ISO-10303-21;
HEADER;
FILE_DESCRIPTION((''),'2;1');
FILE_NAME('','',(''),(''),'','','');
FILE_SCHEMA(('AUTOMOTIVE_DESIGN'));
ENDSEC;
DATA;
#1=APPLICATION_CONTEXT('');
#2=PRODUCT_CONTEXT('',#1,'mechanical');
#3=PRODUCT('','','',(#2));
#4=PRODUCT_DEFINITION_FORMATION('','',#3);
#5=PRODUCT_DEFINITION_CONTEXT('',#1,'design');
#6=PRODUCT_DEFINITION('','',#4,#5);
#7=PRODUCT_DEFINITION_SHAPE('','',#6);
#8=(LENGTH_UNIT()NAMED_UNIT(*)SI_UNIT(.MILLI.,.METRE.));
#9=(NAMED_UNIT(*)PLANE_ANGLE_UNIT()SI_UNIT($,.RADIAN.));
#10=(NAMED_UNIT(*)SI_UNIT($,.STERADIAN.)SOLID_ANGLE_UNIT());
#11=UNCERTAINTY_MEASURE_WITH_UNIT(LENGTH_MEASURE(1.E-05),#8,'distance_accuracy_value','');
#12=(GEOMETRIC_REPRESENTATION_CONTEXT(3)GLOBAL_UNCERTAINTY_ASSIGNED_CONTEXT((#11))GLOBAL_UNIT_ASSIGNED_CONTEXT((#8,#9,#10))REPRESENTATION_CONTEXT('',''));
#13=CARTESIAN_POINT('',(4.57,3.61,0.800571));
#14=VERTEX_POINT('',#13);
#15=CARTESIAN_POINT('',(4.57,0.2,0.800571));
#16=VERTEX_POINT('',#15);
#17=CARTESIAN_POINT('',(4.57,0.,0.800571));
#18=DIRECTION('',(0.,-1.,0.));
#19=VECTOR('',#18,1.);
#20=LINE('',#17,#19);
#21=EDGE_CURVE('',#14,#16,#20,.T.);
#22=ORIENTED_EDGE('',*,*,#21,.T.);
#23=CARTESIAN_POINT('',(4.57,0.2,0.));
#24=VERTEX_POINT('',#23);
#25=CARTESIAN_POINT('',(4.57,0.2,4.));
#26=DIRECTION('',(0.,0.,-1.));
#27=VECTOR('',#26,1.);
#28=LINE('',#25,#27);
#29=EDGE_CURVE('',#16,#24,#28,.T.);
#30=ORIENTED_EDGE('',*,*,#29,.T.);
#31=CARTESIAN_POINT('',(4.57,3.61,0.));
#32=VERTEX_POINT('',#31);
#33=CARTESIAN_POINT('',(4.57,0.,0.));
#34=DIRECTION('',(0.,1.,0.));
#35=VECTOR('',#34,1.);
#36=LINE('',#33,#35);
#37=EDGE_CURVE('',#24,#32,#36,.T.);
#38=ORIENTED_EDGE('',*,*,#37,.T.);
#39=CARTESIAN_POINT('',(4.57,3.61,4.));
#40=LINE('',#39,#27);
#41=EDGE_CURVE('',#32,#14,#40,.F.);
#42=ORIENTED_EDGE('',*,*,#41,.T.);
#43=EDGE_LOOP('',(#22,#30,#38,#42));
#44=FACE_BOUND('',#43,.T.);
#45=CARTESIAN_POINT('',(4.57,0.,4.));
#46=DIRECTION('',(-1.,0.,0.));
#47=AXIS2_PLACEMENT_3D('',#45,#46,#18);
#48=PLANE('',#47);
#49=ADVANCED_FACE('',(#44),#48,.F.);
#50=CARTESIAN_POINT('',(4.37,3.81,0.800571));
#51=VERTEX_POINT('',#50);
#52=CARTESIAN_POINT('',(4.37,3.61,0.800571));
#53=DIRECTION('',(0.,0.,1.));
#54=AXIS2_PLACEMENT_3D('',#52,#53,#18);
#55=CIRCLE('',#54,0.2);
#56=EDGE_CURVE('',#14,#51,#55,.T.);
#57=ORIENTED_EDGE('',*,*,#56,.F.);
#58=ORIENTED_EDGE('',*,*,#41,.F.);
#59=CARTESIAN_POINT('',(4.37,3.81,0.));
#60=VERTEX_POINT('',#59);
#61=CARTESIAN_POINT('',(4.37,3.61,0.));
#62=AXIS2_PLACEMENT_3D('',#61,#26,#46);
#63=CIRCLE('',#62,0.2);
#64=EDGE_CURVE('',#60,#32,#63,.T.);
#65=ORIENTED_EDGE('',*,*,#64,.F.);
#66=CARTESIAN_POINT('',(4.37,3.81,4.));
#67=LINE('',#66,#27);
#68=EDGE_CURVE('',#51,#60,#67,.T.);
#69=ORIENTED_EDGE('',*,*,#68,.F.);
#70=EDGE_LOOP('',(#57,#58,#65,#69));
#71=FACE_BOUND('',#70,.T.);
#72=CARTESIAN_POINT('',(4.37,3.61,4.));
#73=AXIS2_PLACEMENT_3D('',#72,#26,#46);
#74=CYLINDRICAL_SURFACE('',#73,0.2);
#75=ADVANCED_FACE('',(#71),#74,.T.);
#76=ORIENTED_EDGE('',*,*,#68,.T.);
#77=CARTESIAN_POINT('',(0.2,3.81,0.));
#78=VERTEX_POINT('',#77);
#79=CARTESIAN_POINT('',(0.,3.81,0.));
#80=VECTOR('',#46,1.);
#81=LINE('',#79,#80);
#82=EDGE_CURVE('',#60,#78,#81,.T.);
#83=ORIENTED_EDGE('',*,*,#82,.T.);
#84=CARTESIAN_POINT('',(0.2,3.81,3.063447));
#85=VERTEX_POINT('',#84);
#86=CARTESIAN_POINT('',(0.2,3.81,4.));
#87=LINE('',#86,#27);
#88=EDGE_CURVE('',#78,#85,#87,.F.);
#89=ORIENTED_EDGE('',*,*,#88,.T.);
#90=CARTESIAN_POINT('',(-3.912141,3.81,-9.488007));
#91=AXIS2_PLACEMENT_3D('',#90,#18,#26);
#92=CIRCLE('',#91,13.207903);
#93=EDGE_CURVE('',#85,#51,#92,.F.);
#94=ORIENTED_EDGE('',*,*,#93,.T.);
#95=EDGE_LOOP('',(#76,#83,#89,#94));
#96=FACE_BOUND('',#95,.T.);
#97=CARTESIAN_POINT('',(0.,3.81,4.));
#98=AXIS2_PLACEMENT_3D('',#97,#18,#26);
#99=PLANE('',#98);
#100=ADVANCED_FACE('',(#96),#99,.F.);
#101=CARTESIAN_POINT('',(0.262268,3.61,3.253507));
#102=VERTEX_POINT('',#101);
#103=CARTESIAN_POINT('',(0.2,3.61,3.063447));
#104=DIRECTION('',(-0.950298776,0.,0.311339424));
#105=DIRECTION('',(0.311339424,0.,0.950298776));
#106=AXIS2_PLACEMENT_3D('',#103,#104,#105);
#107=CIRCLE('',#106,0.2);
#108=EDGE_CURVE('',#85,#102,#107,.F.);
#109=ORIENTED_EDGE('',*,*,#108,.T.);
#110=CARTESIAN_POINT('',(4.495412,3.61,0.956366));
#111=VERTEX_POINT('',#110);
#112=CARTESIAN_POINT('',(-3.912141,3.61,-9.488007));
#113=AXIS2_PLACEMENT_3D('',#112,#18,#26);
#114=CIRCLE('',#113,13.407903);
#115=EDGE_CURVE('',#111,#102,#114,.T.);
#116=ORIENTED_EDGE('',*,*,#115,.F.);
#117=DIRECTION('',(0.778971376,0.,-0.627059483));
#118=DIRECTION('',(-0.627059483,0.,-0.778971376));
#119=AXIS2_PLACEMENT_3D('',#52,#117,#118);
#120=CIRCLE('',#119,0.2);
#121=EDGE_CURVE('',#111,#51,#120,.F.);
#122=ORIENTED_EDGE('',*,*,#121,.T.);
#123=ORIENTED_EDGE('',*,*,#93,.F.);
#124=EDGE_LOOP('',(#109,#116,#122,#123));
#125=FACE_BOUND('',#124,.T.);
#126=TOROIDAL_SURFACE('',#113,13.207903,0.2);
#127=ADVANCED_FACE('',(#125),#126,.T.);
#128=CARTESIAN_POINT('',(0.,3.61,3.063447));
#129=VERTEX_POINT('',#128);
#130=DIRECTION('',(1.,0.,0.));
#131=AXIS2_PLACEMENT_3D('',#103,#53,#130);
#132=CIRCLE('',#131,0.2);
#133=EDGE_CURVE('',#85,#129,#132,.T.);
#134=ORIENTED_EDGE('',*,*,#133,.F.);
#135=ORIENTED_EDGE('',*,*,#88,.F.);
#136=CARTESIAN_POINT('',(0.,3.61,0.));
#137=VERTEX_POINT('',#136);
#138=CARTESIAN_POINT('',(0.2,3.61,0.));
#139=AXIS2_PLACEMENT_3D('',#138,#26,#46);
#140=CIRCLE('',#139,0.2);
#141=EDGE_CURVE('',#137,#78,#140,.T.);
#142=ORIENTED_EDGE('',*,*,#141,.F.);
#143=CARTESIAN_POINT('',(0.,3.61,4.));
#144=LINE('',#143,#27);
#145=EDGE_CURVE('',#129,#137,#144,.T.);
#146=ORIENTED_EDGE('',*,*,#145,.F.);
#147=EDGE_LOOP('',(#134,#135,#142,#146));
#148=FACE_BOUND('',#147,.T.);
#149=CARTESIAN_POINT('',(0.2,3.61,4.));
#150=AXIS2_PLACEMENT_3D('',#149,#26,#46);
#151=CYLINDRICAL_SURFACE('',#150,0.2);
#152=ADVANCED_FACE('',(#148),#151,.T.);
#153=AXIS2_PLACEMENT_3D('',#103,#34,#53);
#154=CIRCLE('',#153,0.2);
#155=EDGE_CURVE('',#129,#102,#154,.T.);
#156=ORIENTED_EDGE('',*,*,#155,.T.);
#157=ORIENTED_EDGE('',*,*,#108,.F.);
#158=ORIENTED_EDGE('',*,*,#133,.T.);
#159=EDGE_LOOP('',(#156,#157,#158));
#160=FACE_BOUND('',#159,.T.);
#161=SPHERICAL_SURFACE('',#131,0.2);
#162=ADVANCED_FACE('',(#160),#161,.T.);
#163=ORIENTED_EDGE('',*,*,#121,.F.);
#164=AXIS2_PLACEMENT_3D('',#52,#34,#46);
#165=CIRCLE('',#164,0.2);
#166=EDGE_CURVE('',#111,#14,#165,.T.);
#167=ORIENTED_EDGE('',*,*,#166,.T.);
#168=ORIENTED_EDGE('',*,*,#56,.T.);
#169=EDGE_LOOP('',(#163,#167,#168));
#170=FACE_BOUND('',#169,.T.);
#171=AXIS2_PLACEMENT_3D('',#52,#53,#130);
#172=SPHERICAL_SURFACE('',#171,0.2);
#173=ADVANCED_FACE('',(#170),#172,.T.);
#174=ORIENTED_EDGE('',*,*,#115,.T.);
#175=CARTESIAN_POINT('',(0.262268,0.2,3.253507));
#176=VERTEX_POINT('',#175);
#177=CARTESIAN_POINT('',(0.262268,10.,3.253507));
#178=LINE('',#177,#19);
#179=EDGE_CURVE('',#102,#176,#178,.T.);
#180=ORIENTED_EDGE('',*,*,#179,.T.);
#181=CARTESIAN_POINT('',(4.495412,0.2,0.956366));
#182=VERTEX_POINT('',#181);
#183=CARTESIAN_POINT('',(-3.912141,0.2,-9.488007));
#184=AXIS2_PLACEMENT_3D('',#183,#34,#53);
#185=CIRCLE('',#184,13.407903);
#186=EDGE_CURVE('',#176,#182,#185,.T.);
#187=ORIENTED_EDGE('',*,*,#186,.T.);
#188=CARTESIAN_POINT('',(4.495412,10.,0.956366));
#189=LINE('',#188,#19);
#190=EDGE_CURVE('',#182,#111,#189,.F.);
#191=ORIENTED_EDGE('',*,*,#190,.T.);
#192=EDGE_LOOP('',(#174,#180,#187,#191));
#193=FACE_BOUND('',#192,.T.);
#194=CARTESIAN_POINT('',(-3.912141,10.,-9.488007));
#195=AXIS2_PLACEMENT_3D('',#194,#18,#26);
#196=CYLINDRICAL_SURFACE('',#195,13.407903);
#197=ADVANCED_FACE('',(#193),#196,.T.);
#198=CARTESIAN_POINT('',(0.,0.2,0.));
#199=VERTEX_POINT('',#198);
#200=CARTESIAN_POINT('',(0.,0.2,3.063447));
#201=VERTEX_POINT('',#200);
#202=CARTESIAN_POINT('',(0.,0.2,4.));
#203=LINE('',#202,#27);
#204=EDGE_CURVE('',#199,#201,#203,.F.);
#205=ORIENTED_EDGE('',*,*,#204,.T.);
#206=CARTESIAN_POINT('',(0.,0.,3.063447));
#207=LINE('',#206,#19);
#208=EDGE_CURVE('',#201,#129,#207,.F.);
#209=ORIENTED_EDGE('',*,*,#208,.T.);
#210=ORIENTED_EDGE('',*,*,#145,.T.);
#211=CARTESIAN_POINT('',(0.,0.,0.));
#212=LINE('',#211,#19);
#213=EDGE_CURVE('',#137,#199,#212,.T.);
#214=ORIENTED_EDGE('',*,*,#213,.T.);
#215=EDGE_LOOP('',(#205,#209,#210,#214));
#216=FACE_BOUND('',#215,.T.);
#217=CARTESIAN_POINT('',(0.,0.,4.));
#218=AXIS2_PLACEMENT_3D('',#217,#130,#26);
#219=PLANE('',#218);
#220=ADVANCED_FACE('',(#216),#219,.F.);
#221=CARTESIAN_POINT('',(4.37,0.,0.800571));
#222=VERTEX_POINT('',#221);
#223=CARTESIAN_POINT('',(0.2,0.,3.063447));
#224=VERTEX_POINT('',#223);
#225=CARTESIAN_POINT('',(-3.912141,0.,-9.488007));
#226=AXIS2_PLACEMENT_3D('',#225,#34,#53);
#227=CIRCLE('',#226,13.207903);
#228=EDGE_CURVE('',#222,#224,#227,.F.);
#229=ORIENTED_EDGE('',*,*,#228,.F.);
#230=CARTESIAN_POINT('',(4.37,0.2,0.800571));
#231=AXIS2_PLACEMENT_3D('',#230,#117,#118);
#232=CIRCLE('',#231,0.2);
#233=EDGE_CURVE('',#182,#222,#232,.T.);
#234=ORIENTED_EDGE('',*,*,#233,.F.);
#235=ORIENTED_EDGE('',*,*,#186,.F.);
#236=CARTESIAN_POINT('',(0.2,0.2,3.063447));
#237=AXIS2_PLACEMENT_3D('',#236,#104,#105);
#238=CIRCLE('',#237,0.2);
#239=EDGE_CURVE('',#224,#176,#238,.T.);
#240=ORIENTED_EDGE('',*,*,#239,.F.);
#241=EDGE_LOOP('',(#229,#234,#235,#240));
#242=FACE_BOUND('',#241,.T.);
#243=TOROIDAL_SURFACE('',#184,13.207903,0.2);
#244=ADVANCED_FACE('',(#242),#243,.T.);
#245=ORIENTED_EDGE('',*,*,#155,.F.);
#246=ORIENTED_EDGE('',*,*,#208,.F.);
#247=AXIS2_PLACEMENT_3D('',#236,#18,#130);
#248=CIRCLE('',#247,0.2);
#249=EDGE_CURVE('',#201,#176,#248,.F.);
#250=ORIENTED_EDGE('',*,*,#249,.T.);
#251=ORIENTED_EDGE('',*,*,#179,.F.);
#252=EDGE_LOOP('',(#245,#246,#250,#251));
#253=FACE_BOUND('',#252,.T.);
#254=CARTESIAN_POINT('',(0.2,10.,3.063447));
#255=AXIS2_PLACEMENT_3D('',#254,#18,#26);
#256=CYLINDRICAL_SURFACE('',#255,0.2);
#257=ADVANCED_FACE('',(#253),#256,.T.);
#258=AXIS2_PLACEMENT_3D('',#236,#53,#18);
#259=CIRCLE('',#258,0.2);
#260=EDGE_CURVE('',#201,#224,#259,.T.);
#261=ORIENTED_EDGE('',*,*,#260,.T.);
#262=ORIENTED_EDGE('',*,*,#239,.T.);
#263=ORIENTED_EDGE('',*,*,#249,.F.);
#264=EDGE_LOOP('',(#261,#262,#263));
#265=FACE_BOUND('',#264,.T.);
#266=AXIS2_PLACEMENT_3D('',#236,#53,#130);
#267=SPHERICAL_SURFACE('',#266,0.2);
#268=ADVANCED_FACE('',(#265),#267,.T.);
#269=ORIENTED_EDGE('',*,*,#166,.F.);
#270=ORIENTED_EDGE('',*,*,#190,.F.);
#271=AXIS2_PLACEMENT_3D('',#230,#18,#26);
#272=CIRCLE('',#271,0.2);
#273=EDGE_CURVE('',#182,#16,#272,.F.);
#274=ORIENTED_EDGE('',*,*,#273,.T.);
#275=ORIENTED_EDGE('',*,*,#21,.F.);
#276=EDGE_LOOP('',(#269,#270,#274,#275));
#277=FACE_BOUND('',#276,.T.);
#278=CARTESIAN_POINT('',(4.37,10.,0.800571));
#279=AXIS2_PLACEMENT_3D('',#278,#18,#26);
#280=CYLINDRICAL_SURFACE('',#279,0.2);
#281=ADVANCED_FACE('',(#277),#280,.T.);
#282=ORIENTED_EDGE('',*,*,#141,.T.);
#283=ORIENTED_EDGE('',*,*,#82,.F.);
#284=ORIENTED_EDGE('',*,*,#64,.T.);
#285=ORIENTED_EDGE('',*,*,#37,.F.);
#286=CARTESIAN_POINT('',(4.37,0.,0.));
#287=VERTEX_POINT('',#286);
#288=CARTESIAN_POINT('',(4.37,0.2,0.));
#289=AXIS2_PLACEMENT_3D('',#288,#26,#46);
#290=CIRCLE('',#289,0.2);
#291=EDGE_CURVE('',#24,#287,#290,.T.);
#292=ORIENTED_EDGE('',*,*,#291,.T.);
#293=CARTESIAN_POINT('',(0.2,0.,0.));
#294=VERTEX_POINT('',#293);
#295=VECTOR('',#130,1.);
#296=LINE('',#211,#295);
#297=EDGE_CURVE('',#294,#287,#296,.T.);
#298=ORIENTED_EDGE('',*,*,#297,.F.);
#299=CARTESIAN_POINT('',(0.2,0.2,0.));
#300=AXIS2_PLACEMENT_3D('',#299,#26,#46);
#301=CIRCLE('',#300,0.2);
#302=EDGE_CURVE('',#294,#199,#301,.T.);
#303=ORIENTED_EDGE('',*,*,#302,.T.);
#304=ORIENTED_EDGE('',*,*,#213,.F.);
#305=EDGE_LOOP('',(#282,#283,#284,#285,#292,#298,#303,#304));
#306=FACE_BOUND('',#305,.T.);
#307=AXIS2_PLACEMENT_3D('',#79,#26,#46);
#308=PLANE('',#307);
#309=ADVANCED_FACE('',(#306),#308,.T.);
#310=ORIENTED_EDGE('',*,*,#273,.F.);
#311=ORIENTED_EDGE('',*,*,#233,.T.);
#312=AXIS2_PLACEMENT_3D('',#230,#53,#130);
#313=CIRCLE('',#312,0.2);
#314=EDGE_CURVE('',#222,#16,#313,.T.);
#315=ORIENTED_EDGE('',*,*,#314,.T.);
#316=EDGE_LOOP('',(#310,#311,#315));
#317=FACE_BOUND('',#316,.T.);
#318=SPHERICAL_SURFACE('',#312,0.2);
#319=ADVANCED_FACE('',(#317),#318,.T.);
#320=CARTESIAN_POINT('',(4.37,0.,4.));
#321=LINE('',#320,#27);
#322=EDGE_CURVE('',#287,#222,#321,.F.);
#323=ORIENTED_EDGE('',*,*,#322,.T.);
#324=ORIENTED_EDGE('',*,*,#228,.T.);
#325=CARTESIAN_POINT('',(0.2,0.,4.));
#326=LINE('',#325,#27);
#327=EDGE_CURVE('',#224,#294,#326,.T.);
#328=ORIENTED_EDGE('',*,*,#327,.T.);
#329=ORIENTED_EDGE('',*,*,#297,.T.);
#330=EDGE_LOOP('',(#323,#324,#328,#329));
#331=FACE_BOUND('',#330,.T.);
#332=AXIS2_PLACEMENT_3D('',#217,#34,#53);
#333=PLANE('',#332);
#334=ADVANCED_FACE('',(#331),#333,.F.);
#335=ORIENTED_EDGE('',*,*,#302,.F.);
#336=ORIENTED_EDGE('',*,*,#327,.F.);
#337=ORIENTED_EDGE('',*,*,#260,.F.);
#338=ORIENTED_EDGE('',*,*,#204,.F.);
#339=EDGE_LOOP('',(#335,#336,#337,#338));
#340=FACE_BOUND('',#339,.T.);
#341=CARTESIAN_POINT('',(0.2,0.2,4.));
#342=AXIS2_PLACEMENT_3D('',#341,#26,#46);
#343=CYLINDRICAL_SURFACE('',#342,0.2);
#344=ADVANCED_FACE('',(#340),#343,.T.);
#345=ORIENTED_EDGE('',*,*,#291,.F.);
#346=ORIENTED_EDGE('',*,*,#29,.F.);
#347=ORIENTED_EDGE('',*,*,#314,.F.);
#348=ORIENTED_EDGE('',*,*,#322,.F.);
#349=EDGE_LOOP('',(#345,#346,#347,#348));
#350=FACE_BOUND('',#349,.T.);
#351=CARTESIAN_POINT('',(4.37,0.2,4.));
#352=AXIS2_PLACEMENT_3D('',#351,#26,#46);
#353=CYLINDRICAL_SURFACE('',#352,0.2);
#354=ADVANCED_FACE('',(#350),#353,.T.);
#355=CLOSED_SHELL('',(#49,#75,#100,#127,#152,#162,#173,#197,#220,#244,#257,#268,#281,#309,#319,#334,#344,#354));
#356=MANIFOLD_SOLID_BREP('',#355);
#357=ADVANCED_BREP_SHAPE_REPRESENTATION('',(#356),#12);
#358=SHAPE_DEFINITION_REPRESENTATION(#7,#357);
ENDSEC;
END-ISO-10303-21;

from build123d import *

# Parameters (mm, degrees)
SKETCH1_W           = 4.57
SKETCH1_H           = 3.81
BOSS_EXTRUDE1_DEPTH = 4
CUT_EXTRUDE1_DEPTH  = 10
FILLET1_R           = 0.2


with BuildPart() as part:
    # Sketch1 → Boss-Extrude1 (new body)
    with BuildSketch(Plane.XY):
        with Locations((2.285, 1.905)):
            Rectangle(SKETCH1_W, SKETCH1_H)
    extrude(amount=BOSS_EXTRUDE1_DEPTH)

    # Sketch2 → Cut-Extrude1 (cut)
    with BuildSketch(Plane.XZ):
        with BuildLine():
            ThreePointArc((0, 3.336462357), (2.404002198, 2.339004343), (4.57, 0.895881831))
            Line((4.57, 0.895881831), (4.57, 4))
            Line((4.57, 4), (0, 4))
            Line((0, 4), (0, 3.336462357))
        make_face()
    extrude(amount=-CUT_EXTRUDE1_DEPTH, mode=Mode.SUBTRACT)

    # Fillet1
    fillet1_edges = [part.edges().sort_by_distance(p)[0] for p in [
        (0, 3.81, 1.668231179),
        (4.57, 3.81, 0.447940916),
        (2.404002198, 3.81, 2.339004343),
        (4.57, 0, 0.447940916),
        (0, 0, 1.668231179),
        (4.57, 1.905, 0.895881831),
        (0, 1.905, 3.336462357),
        (2.404002198, 0, 2.339004343),
    ]]
    fillet(fillet1_edges, radius=FILLET1_R)


solid = part.part
